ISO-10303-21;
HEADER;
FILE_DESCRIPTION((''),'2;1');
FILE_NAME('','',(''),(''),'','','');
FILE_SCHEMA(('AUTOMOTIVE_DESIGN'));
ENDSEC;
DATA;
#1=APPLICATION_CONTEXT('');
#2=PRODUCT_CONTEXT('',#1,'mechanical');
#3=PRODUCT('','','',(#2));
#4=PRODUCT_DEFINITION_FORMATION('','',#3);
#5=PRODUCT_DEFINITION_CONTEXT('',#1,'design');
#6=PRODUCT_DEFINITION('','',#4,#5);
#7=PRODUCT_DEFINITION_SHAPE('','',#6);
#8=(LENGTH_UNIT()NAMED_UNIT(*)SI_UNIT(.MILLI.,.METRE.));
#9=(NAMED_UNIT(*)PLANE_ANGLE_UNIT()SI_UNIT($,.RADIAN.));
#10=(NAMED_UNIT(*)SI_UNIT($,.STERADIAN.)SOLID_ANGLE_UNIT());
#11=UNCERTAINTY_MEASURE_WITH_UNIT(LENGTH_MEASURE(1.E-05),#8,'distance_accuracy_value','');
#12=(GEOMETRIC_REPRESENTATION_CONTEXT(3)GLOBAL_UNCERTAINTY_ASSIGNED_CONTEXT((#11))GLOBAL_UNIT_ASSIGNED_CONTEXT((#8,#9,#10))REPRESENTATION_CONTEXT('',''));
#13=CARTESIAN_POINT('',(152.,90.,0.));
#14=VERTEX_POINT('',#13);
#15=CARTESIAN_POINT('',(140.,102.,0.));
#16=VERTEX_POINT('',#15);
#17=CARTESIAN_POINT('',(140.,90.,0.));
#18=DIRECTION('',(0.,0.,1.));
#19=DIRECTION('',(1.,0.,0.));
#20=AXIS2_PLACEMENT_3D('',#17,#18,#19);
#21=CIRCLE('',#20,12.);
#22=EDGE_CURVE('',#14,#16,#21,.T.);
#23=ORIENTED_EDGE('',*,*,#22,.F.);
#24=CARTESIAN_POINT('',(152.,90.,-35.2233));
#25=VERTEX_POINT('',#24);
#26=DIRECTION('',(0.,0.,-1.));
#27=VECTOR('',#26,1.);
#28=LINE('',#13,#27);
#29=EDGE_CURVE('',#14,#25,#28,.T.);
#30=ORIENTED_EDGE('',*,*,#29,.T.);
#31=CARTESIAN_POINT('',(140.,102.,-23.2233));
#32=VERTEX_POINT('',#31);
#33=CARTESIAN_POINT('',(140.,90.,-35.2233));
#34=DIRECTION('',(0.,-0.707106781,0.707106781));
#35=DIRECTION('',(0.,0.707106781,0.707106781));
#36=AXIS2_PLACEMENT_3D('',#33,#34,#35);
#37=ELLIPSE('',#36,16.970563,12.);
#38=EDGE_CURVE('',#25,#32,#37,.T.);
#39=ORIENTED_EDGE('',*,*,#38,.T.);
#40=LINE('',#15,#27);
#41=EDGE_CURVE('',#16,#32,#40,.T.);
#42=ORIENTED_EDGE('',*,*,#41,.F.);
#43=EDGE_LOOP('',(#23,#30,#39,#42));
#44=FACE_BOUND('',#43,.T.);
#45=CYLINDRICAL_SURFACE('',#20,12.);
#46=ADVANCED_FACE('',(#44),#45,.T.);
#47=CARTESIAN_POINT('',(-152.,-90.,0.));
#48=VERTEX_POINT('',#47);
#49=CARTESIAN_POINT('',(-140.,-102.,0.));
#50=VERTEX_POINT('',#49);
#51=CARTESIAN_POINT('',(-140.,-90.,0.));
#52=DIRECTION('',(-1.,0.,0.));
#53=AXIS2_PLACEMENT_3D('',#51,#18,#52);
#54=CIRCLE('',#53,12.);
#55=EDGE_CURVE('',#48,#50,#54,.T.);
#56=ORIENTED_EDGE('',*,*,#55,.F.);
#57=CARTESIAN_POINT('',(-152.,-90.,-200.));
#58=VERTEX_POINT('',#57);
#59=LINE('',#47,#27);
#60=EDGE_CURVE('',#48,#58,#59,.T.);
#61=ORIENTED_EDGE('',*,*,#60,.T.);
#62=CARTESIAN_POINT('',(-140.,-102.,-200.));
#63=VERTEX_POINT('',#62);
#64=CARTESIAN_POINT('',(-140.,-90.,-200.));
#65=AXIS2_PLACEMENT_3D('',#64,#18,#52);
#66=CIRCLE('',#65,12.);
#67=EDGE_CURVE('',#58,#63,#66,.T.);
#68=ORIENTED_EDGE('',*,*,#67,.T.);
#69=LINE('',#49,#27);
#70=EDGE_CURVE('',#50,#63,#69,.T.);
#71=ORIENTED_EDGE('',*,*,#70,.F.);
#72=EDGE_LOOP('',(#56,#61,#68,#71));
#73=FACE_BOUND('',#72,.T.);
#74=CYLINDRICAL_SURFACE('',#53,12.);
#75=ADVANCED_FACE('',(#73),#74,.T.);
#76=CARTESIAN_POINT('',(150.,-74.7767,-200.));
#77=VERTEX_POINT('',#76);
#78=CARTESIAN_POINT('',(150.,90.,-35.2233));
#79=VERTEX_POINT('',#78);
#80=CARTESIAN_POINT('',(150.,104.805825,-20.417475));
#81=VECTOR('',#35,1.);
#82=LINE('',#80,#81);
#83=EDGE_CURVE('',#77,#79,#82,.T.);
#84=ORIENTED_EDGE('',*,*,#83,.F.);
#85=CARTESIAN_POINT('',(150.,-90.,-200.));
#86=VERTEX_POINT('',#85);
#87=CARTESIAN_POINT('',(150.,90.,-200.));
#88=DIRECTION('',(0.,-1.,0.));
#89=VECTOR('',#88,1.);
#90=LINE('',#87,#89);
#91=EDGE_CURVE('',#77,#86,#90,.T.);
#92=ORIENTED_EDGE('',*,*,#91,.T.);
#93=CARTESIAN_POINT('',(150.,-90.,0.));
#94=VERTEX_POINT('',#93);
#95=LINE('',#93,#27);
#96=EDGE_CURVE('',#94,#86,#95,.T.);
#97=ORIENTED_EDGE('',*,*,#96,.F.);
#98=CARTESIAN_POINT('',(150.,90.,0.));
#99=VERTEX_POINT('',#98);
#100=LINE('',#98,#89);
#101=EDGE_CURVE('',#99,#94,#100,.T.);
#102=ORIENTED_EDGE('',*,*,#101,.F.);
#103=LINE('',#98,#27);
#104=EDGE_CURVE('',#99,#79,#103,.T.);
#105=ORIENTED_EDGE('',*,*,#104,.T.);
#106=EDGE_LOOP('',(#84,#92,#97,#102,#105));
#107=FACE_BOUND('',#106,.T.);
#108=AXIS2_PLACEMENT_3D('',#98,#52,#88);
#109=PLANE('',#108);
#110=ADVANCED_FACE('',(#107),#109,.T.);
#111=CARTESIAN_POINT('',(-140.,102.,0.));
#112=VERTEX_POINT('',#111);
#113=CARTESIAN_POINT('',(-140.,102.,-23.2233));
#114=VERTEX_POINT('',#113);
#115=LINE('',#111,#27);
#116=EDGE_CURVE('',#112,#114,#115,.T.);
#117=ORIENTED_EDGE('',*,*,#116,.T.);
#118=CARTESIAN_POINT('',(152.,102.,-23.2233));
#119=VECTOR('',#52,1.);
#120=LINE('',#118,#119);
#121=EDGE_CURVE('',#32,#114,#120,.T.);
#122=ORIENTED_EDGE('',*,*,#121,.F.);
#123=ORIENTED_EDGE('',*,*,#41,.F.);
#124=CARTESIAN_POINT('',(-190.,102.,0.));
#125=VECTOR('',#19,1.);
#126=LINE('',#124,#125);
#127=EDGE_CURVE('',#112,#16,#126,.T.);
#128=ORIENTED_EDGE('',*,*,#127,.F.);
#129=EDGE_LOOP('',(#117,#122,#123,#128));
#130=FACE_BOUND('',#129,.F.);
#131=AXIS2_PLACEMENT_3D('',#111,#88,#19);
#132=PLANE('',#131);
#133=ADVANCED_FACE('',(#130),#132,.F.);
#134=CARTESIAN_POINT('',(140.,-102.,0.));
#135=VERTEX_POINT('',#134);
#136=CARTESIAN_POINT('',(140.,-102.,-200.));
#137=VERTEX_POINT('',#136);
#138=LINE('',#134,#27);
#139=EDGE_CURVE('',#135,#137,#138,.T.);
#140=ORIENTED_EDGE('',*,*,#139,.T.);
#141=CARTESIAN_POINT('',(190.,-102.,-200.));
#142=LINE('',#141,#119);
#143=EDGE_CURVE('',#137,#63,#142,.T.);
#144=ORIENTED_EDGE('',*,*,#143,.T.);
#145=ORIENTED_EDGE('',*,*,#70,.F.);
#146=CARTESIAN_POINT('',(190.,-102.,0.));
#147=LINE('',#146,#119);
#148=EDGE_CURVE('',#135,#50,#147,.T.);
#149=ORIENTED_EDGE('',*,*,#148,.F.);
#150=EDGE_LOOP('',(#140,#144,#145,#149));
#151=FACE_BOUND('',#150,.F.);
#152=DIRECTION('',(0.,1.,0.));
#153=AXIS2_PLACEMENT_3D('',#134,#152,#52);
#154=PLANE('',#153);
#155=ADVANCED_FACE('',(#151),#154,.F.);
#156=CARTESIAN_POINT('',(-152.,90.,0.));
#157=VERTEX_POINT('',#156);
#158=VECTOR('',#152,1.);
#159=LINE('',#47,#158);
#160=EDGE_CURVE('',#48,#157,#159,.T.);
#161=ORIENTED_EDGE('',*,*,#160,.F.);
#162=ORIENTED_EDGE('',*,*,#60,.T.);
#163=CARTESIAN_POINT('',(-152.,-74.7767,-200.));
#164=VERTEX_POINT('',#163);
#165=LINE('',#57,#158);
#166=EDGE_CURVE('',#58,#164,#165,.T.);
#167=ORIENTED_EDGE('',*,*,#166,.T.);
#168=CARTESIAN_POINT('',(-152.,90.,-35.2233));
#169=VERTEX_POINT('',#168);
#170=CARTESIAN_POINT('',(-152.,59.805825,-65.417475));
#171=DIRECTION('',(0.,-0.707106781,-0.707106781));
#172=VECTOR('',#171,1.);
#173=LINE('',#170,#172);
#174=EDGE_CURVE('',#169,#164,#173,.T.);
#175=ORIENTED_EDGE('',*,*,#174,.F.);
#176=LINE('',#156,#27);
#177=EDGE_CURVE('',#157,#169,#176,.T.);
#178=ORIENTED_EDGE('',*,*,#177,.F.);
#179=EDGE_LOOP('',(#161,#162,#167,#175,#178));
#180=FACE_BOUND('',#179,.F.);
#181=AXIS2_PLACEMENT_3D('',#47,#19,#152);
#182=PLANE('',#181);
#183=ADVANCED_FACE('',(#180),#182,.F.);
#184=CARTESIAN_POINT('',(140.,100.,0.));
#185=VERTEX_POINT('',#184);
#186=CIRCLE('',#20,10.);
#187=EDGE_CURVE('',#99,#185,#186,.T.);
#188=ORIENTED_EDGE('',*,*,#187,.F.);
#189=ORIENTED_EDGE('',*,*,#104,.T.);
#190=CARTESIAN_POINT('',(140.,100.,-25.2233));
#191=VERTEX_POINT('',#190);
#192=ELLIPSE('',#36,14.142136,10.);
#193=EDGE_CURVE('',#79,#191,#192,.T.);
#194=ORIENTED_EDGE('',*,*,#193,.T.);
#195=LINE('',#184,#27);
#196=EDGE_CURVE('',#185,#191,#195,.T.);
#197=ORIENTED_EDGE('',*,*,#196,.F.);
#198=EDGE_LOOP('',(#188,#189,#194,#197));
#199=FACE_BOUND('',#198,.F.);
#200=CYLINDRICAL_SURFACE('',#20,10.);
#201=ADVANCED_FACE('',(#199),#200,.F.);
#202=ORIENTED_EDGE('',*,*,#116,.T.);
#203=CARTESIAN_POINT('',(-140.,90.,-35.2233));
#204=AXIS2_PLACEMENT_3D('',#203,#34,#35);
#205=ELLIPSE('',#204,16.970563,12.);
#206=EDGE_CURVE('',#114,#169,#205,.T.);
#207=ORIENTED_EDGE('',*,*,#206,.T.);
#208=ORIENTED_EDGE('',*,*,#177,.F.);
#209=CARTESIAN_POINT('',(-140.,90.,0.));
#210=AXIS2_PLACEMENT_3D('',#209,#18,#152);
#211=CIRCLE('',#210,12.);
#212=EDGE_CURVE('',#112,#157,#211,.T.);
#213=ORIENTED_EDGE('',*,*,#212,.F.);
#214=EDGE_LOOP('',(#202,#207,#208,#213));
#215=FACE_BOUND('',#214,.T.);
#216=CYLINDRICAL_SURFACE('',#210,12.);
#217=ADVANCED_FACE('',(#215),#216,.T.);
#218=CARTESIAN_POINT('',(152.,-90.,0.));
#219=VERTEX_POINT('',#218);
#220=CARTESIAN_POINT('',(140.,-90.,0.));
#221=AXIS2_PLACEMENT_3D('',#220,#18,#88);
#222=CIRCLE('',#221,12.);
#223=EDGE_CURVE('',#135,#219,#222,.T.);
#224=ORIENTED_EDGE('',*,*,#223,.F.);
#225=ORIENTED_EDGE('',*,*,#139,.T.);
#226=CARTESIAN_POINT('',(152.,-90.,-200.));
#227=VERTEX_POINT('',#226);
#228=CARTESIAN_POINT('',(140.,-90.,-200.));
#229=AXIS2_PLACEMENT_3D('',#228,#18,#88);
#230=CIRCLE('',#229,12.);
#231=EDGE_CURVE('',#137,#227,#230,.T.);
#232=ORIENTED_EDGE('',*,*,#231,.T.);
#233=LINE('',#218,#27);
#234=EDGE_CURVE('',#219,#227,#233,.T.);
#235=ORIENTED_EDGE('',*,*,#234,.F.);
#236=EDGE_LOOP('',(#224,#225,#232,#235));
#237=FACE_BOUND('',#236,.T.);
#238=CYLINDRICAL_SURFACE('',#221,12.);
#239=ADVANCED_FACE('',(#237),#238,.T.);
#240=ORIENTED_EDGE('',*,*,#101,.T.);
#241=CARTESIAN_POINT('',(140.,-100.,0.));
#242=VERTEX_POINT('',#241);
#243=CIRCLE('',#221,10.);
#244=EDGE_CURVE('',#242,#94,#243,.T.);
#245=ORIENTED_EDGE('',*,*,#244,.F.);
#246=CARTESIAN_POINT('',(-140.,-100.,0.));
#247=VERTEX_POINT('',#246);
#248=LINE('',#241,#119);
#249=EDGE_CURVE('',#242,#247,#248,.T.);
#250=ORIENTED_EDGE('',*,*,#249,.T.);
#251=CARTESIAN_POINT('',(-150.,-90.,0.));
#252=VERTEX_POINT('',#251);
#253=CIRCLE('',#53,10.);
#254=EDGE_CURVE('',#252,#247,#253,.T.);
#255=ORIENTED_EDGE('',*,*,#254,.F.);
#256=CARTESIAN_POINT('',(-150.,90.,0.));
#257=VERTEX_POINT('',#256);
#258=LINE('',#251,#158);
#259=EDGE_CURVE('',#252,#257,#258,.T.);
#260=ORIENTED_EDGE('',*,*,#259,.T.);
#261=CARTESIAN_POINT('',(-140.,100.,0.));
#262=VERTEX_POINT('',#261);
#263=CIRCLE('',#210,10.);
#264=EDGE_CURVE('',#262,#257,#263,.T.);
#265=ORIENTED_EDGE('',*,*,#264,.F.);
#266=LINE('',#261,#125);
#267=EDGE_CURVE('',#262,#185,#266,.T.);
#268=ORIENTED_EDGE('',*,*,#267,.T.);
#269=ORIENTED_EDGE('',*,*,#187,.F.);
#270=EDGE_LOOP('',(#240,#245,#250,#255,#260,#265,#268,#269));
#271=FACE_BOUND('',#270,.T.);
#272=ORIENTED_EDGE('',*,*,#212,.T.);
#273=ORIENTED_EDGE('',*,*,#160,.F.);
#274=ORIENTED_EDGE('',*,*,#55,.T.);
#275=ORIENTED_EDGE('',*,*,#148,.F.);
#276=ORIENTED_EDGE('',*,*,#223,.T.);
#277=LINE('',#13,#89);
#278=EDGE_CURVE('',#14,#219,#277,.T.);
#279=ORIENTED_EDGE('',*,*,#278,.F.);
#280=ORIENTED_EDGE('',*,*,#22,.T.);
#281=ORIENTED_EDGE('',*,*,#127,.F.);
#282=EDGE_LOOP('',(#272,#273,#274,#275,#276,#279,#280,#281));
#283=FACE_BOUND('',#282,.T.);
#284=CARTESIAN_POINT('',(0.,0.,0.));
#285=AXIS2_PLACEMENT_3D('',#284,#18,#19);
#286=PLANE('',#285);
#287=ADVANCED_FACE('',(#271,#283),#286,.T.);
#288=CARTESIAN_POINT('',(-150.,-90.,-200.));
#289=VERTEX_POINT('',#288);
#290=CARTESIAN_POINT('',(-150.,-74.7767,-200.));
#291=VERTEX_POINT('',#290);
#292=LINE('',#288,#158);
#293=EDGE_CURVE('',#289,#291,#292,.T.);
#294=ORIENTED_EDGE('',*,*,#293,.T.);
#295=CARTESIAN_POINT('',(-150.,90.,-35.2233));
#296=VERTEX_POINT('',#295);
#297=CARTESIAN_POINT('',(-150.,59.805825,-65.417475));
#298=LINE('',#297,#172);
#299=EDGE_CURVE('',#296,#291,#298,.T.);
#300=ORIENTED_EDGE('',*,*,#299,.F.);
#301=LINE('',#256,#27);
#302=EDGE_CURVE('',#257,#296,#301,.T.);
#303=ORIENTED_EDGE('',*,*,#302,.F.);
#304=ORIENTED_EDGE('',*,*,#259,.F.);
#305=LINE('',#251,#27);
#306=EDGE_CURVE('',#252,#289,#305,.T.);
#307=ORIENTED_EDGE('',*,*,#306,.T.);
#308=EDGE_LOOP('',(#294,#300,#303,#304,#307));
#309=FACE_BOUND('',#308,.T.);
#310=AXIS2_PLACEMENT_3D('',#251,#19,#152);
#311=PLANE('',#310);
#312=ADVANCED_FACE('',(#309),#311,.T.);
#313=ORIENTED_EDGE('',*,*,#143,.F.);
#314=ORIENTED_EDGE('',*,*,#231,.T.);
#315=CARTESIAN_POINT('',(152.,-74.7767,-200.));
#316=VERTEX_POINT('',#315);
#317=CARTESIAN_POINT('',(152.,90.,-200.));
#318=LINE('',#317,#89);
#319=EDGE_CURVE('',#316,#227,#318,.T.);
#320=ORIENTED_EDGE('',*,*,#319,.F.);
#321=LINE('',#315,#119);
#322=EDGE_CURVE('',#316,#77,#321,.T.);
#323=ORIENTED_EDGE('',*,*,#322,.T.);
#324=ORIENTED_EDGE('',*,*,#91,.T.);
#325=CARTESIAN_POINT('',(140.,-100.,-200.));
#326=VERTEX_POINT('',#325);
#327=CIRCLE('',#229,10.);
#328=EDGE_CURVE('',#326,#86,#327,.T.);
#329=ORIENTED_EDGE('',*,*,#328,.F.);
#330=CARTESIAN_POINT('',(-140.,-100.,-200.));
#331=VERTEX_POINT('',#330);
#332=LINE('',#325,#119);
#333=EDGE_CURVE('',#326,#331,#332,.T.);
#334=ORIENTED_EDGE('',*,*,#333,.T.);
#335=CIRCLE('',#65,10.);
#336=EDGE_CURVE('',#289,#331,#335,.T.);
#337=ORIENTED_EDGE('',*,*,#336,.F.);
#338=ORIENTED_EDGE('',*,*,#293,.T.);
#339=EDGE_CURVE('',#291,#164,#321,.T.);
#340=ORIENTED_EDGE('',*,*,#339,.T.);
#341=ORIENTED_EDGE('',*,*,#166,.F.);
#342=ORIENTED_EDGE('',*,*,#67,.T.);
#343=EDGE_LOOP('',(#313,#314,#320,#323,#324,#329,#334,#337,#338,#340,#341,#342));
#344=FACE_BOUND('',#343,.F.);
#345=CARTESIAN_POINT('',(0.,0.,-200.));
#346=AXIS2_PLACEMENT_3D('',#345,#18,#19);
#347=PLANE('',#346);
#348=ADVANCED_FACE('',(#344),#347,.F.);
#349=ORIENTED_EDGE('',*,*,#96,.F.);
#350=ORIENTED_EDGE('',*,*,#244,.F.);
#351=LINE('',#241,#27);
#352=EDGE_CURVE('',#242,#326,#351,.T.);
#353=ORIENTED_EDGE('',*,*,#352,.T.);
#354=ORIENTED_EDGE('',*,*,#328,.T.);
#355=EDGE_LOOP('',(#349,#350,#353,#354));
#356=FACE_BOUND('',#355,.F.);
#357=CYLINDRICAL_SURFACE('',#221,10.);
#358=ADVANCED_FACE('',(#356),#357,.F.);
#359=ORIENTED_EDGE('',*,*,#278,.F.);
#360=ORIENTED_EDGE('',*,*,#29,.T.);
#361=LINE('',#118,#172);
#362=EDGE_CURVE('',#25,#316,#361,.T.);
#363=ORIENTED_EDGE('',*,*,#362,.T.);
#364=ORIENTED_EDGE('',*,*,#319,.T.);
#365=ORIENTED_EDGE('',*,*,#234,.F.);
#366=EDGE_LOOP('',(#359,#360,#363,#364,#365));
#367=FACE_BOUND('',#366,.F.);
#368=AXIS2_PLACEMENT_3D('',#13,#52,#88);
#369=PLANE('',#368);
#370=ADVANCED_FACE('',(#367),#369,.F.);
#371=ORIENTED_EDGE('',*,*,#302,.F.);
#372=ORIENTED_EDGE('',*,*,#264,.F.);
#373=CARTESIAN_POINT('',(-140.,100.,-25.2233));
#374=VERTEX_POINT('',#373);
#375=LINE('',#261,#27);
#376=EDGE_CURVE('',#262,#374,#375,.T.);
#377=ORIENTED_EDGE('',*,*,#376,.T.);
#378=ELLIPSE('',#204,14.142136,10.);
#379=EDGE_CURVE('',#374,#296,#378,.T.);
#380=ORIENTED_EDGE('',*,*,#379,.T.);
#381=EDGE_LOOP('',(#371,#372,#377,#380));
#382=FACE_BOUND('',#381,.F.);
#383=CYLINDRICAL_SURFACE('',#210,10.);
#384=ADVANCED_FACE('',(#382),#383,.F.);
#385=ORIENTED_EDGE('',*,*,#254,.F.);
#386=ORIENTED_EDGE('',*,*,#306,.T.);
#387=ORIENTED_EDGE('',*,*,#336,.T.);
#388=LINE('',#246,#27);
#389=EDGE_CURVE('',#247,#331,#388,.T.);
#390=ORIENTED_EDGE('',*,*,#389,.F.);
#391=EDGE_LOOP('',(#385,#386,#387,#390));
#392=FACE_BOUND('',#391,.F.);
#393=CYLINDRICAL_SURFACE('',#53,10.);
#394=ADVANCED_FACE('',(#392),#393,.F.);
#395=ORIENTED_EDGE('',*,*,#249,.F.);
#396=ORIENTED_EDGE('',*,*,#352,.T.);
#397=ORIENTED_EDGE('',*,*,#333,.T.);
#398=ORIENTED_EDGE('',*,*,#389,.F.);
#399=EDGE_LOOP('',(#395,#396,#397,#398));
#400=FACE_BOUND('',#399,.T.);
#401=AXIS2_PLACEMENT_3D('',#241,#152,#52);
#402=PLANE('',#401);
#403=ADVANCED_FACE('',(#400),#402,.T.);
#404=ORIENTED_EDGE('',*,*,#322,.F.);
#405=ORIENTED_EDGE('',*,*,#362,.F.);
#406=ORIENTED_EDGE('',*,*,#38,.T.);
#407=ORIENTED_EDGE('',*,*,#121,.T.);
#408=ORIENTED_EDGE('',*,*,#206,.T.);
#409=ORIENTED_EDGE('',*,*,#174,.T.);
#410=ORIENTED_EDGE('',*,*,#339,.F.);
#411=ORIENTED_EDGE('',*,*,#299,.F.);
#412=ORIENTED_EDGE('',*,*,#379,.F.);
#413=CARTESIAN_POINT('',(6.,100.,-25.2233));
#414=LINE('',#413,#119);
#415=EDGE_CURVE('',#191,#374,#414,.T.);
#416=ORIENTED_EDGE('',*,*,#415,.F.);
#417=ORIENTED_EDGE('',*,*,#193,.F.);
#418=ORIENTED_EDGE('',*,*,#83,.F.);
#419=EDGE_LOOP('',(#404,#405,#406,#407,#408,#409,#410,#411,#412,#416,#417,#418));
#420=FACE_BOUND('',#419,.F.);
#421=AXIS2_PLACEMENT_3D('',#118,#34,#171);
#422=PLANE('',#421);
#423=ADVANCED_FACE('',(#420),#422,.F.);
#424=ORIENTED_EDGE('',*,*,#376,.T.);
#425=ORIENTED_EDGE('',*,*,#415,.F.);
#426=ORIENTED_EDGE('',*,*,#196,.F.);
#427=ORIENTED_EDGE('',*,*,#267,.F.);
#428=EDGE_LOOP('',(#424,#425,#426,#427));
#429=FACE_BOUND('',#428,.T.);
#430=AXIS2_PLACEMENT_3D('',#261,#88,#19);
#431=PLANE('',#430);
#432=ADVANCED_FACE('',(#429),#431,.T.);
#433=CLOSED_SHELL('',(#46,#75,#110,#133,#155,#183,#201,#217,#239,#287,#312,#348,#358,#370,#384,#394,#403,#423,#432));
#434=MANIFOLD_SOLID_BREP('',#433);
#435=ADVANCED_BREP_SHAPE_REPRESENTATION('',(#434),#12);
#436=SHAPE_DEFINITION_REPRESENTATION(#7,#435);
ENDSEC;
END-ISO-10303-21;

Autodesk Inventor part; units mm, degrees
ref_plane "YZ Plane" through (0, 0, 0) normal (1, 0, 0) x (0, 1, 0)
ref_plane "XZ Plane" through (0, 0, 0) normal (0, 1, 0) x (-1, 0, 0)
ref_plane "XY Plane" through (0, 0, 0) normal (0, 0, 1) x (1, 0, 0)
sketch "Sketch1" plane through (0, 0, 0) normal (0, 0, 1) x (1, 0, 0)
  arc A0 (-140, 100) -> (-150, 90) centre (-140, 90) ccw projected
  line L0 (-140, 100) -> (140, 100) projected
  arc A1 (150, 90) -> (140, 100) centre (140, 90) ccw projected
  line L1 (150, 90) -> (150, -90) projected
  arc A2 (140, -100) -> (150, -90) centre (140, -90) ccw projected
  line L2 (140, -100) -> (-140, -100) projected
  arc A3 (-150, -90) -> (-140, -100) centre (-140, -90) ccw projected
  line L3 (-150, -90) -> (-150, 90) projected
  line L4 (-140, 100) -> (140, 100) projected
  arc A4 (-140, 100) -> (-150, 90) centre (-140, 90) ccw projected
  line L5 (-140, 100) -> (140, 100) projected
  arc A5 (150, 90) -> (140, 100) centre (140, 90) ccw projected
  line L6 (150, 90) -> (150, -90) projected
  arc A6 (140, -100) -> (150, -90) centre (140, -90) ccw projected
  line L7 (140, -100) -> (-140, -100) projected
  arc A7 (-150, -90) -> (-140, -100) centre (-140, -90) ccw projected
  line L8 (-150, -90) -> (-150, 90) projected
  line L9 (-190, 102) -> (190, 102)
  arc A8 (152, 90) -> (140, 102) centre (140, 90) ccw
  line L10 (152, 90) -> (152, -90)
  arc A9 (140, -102) -> (152, -90) centre (140, -90) ccw
  line L11 (190, -102) -> (-190, -102)
  arc A10 (-152, -90) -> (-140, -102) centre (-140, -90) ccw
  line L12 (-152, -90) -> (-152, 90)
  arc A11 (-140, 102) -> (-152, 90) centre (-140, 90) ccw
  point P0 (0, 0)
  point P1 (140, -102)
  point P2 (152, -90)
  point P3 (-140, 102)
  point P4 (-152, 90)
  dimension "d0" = 2
  dimension "d1" = 2
  dimension "d2" = 2
  dimension "d3" = 2
  dimension "d4" = 2
  dimension "d5" = 2
  dimension "d6" = 2
  dimension "d7" = 2
extrude "Extrusion1" add sketch "Sketch1" against normal blind 200
sketch "Sketch2" plane through (152, -90, 0) normal (1, 0, 0) x (0, 0, -1)
  line L0 (0, 192) -> (200, 192) projected
  line L1 (0, -12) -> (200, -12) projected
  line L2 (0, 0) -> (0, 180) projected
  line L3 (200, 180) -> (200, 0) projected
  line L4 (0, 192) -> (200, 192) projected
  line L5 (23.2233, 192) -> (200, 15.2233)
  line L6 (200, 0) -> (200, 180) projected
  line L7 (23.2233, 192) -> (273.2233, 192) construction
  line L8 (200, 15.2233) -> (200, 192)
  point P0 (0, 90)
  point P1 (200, 180)
  point P2 (200, 15.2233)
  dimension "d10" = 45
  dimension "d11" = 250
extrude "Extrusion2" cut sketch "Sketch2" against normal through all
properties part number "Body Cover" material "Aluminum 6061"
